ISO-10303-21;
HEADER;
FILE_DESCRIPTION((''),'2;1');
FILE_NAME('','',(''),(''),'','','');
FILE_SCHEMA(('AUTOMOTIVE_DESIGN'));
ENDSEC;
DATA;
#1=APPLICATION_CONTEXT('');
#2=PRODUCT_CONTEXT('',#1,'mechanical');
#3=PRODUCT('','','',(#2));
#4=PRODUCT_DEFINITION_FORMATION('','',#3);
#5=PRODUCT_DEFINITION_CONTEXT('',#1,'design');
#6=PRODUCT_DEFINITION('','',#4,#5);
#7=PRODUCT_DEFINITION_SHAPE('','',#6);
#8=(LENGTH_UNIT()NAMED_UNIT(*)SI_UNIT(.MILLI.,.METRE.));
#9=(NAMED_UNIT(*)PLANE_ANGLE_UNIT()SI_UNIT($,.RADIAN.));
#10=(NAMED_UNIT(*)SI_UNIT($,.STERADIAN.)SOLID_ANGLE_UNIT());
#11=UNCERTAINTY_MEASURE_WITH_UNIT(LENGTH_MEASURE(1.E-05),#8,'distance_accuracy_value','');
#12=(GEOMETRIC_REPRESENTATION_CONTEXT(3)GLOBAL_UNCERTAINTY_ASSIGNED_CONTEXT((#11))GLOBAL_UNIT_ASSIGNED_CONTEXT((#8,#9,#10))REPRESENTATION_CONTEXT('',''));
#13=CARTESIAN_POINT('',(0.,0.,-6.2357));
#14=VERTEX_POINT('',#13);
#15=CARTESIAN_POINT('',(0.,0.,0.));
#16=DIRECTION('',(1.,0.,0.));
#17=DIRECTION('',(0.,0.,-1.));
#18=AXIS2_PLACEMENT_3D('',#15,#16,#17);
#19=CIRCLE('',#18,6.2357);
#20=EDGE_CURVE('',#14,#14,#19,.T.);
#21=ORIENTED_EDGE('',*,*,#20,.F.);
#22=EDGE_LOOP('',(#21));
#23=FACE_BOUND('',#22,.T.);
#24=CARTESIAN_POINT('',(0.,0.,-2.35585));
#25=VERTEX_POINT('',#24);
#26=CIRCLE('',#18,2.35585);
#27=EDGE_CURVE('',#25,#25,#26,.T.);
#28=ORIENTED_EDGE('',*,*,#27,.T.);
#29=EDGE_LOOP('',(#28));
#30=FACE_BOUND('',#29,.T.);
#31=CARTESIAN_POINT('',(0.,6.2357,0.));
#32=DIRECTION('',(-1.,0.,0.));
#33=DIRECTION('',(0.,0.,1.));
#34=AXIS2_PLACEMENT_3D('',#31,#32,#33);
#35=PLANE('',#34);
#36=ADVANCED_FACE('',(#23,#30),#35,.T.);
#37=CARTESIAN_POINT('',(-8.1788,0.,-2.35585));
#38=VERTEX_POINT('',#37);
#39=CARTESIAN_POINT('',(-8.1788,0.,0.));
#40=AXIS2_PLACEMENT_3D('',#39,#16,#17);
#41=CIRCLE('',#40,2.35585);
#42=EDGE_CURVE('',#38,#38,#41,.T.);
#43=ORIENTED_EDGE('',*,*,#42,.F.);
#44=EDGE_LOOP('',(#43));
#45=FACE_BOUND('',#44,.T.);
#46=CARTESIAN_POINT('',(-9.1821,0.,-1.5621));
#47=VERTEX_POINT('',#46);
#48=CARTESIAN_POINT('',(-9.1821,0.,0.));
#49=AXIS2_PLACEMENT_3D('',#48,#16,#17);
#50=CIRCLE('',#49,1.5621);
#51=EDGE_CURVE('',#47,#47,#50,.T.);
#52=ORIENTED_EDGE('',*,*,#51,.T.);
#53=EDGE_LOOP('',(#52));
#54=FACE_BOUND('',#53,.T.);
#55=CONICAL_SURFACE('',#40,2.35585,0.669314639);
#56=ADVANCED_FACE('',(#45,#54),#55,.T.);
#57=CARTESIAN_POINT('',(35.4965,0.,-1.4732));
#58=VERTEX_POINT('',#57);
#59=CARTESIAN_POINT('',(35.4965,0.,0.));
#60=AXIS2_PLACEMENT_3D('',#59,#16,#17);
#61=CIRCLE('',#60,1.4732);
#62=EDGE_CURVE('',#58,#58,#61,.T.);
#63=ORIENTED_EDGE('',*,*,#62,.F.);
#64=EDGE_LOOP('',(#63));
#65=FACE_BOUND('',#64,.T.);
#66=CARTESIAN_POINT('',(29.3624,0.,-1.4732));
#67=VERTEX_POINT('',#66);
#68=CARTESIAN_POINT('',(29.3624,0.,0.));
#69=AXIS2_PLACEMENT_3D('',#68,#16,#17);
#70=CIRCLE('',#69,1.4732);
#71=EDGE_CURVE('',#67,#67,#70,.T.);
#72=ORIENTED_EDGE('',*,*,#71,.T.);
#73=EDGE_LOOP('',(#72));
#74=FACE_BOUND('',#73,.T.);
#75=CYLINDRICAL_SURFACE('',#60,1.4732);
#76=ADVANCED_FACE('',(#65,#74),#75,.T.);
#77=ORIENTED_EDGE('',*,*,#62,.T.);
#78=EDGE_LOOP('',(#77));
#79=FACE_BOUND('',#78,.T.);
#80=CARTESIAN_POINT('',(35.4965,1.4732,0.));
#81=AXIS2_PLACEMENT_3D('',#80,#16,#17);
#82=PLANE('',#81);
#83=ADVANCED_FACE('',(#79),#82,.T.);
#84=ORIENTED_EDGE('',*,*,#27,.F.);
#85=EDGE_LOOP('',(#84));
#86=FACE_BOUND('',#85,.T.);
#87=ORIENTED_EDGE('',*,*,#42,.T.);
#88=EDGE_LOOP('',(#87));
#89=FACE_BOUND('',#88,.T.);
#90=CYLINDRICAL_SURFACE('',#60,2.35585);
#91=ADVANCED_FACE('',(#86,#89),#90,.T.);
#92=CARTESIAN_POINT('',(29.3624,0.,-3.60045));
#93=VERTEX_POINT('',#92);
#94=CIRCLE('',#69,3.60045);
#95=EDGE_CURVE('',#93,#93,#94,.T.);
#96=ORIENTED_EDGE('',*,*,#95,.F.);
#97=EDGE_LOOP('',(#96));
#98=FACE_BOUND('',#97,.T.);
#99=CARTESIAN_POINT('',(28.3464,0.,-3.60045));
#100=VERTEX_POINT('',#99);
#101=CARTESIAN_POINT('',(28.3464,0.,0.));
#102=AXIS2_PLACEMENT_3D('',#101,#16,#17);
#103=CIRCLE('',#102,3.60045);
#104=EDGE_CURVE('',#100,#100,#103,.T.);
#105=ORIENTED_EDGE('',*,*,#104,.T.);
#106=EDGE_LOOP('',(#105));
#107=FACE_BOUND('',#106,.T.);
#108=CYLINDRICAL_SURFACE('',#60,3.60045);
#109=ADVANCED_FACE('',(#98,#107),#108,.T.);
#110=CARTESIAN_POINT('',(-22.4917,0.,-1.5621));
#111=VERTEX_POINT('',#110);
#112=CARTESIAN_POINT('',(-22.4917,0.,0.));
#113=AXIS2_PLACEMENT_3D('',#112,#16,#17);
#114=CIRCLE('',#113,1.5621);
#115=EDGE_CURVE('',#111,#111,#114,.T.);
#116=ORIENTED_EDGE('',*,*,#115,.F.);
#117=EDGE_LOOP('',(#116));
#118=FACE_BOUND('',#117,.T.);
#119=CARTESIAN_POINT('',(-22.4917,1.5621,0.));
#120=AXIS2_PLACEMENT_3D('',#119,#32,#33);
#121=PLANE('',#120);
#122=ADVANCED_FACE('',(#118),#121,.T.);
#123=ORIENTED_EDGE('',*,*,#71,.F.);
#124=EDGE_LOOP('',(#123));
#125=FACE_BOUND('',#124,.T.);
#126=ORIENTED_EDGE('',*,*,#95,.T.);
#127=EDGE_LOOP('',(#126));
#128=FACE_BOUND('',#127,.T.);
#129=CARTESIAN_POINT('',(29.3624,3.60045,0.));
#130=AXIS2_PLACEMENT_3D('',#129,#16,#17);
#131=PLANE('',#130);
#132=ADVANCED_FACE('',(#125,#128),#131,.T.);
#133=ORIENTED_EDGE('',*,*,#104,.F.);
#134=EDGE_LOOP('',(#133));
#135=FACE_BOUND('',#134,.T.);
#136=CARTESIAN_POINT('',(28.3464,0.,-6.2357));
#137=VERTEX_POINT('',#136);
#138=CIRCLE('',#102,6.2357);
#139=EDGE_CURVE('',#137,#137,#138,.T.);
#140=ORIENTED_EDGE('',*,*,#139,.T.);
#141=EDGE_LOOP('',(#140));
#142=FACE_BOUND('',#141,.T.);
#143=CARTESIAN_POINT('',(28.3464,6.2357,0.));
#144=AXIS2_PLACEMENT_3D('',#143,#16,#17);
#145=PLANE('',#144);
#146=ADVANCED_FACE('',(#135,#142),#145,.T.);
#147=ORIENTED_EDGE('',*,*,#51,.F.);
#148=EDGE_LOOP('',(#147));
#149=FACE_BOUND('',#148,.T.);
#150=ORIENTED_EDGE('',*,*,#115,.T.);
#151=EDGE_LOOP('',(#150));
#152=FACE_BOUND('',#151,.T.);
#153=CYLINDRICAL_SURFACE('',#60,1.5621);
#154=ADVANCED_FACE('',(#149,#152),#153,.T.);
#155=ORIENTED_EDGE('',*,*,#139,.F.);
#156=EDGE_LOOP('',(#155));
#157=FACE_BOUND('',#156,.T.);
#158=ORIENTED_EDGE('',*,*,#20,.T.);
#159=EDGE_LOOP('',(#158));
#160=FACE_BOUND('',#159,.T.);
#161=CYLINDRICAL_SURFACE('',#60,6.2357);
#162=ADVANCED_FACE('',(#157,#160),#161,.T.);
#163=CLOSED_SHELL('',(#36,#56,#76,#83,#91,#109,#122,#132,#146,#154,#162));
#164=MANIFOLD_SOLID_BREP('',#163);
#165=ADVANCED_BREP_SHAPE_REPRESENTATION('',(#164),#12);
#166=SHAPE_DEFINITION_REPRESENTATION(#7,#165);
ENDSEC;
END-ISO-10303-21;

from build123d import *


with BuildPart() as part:
    # Sketch1 → Revolve1 (revolve)
    with BuildSketch(Plane.XY):
        Polygon((0, 6.2357), (28.3464, 6.2357), (28.3464, 3.60045), (29.3624, 3.60045), (29.3624, 1.4732), (35.4965, 1.4732), (35.4965, 0), (0, 0), (-22.4917, 0), (-22.4917, 1.5621), (-9.1821, 1.5621), (-8.1788, 2.35585), (0, 2.35585), align=None)
    revolve(axis=Axis((35.4965, 0, 0), (-1, 0, 0)))


solid = part.part
